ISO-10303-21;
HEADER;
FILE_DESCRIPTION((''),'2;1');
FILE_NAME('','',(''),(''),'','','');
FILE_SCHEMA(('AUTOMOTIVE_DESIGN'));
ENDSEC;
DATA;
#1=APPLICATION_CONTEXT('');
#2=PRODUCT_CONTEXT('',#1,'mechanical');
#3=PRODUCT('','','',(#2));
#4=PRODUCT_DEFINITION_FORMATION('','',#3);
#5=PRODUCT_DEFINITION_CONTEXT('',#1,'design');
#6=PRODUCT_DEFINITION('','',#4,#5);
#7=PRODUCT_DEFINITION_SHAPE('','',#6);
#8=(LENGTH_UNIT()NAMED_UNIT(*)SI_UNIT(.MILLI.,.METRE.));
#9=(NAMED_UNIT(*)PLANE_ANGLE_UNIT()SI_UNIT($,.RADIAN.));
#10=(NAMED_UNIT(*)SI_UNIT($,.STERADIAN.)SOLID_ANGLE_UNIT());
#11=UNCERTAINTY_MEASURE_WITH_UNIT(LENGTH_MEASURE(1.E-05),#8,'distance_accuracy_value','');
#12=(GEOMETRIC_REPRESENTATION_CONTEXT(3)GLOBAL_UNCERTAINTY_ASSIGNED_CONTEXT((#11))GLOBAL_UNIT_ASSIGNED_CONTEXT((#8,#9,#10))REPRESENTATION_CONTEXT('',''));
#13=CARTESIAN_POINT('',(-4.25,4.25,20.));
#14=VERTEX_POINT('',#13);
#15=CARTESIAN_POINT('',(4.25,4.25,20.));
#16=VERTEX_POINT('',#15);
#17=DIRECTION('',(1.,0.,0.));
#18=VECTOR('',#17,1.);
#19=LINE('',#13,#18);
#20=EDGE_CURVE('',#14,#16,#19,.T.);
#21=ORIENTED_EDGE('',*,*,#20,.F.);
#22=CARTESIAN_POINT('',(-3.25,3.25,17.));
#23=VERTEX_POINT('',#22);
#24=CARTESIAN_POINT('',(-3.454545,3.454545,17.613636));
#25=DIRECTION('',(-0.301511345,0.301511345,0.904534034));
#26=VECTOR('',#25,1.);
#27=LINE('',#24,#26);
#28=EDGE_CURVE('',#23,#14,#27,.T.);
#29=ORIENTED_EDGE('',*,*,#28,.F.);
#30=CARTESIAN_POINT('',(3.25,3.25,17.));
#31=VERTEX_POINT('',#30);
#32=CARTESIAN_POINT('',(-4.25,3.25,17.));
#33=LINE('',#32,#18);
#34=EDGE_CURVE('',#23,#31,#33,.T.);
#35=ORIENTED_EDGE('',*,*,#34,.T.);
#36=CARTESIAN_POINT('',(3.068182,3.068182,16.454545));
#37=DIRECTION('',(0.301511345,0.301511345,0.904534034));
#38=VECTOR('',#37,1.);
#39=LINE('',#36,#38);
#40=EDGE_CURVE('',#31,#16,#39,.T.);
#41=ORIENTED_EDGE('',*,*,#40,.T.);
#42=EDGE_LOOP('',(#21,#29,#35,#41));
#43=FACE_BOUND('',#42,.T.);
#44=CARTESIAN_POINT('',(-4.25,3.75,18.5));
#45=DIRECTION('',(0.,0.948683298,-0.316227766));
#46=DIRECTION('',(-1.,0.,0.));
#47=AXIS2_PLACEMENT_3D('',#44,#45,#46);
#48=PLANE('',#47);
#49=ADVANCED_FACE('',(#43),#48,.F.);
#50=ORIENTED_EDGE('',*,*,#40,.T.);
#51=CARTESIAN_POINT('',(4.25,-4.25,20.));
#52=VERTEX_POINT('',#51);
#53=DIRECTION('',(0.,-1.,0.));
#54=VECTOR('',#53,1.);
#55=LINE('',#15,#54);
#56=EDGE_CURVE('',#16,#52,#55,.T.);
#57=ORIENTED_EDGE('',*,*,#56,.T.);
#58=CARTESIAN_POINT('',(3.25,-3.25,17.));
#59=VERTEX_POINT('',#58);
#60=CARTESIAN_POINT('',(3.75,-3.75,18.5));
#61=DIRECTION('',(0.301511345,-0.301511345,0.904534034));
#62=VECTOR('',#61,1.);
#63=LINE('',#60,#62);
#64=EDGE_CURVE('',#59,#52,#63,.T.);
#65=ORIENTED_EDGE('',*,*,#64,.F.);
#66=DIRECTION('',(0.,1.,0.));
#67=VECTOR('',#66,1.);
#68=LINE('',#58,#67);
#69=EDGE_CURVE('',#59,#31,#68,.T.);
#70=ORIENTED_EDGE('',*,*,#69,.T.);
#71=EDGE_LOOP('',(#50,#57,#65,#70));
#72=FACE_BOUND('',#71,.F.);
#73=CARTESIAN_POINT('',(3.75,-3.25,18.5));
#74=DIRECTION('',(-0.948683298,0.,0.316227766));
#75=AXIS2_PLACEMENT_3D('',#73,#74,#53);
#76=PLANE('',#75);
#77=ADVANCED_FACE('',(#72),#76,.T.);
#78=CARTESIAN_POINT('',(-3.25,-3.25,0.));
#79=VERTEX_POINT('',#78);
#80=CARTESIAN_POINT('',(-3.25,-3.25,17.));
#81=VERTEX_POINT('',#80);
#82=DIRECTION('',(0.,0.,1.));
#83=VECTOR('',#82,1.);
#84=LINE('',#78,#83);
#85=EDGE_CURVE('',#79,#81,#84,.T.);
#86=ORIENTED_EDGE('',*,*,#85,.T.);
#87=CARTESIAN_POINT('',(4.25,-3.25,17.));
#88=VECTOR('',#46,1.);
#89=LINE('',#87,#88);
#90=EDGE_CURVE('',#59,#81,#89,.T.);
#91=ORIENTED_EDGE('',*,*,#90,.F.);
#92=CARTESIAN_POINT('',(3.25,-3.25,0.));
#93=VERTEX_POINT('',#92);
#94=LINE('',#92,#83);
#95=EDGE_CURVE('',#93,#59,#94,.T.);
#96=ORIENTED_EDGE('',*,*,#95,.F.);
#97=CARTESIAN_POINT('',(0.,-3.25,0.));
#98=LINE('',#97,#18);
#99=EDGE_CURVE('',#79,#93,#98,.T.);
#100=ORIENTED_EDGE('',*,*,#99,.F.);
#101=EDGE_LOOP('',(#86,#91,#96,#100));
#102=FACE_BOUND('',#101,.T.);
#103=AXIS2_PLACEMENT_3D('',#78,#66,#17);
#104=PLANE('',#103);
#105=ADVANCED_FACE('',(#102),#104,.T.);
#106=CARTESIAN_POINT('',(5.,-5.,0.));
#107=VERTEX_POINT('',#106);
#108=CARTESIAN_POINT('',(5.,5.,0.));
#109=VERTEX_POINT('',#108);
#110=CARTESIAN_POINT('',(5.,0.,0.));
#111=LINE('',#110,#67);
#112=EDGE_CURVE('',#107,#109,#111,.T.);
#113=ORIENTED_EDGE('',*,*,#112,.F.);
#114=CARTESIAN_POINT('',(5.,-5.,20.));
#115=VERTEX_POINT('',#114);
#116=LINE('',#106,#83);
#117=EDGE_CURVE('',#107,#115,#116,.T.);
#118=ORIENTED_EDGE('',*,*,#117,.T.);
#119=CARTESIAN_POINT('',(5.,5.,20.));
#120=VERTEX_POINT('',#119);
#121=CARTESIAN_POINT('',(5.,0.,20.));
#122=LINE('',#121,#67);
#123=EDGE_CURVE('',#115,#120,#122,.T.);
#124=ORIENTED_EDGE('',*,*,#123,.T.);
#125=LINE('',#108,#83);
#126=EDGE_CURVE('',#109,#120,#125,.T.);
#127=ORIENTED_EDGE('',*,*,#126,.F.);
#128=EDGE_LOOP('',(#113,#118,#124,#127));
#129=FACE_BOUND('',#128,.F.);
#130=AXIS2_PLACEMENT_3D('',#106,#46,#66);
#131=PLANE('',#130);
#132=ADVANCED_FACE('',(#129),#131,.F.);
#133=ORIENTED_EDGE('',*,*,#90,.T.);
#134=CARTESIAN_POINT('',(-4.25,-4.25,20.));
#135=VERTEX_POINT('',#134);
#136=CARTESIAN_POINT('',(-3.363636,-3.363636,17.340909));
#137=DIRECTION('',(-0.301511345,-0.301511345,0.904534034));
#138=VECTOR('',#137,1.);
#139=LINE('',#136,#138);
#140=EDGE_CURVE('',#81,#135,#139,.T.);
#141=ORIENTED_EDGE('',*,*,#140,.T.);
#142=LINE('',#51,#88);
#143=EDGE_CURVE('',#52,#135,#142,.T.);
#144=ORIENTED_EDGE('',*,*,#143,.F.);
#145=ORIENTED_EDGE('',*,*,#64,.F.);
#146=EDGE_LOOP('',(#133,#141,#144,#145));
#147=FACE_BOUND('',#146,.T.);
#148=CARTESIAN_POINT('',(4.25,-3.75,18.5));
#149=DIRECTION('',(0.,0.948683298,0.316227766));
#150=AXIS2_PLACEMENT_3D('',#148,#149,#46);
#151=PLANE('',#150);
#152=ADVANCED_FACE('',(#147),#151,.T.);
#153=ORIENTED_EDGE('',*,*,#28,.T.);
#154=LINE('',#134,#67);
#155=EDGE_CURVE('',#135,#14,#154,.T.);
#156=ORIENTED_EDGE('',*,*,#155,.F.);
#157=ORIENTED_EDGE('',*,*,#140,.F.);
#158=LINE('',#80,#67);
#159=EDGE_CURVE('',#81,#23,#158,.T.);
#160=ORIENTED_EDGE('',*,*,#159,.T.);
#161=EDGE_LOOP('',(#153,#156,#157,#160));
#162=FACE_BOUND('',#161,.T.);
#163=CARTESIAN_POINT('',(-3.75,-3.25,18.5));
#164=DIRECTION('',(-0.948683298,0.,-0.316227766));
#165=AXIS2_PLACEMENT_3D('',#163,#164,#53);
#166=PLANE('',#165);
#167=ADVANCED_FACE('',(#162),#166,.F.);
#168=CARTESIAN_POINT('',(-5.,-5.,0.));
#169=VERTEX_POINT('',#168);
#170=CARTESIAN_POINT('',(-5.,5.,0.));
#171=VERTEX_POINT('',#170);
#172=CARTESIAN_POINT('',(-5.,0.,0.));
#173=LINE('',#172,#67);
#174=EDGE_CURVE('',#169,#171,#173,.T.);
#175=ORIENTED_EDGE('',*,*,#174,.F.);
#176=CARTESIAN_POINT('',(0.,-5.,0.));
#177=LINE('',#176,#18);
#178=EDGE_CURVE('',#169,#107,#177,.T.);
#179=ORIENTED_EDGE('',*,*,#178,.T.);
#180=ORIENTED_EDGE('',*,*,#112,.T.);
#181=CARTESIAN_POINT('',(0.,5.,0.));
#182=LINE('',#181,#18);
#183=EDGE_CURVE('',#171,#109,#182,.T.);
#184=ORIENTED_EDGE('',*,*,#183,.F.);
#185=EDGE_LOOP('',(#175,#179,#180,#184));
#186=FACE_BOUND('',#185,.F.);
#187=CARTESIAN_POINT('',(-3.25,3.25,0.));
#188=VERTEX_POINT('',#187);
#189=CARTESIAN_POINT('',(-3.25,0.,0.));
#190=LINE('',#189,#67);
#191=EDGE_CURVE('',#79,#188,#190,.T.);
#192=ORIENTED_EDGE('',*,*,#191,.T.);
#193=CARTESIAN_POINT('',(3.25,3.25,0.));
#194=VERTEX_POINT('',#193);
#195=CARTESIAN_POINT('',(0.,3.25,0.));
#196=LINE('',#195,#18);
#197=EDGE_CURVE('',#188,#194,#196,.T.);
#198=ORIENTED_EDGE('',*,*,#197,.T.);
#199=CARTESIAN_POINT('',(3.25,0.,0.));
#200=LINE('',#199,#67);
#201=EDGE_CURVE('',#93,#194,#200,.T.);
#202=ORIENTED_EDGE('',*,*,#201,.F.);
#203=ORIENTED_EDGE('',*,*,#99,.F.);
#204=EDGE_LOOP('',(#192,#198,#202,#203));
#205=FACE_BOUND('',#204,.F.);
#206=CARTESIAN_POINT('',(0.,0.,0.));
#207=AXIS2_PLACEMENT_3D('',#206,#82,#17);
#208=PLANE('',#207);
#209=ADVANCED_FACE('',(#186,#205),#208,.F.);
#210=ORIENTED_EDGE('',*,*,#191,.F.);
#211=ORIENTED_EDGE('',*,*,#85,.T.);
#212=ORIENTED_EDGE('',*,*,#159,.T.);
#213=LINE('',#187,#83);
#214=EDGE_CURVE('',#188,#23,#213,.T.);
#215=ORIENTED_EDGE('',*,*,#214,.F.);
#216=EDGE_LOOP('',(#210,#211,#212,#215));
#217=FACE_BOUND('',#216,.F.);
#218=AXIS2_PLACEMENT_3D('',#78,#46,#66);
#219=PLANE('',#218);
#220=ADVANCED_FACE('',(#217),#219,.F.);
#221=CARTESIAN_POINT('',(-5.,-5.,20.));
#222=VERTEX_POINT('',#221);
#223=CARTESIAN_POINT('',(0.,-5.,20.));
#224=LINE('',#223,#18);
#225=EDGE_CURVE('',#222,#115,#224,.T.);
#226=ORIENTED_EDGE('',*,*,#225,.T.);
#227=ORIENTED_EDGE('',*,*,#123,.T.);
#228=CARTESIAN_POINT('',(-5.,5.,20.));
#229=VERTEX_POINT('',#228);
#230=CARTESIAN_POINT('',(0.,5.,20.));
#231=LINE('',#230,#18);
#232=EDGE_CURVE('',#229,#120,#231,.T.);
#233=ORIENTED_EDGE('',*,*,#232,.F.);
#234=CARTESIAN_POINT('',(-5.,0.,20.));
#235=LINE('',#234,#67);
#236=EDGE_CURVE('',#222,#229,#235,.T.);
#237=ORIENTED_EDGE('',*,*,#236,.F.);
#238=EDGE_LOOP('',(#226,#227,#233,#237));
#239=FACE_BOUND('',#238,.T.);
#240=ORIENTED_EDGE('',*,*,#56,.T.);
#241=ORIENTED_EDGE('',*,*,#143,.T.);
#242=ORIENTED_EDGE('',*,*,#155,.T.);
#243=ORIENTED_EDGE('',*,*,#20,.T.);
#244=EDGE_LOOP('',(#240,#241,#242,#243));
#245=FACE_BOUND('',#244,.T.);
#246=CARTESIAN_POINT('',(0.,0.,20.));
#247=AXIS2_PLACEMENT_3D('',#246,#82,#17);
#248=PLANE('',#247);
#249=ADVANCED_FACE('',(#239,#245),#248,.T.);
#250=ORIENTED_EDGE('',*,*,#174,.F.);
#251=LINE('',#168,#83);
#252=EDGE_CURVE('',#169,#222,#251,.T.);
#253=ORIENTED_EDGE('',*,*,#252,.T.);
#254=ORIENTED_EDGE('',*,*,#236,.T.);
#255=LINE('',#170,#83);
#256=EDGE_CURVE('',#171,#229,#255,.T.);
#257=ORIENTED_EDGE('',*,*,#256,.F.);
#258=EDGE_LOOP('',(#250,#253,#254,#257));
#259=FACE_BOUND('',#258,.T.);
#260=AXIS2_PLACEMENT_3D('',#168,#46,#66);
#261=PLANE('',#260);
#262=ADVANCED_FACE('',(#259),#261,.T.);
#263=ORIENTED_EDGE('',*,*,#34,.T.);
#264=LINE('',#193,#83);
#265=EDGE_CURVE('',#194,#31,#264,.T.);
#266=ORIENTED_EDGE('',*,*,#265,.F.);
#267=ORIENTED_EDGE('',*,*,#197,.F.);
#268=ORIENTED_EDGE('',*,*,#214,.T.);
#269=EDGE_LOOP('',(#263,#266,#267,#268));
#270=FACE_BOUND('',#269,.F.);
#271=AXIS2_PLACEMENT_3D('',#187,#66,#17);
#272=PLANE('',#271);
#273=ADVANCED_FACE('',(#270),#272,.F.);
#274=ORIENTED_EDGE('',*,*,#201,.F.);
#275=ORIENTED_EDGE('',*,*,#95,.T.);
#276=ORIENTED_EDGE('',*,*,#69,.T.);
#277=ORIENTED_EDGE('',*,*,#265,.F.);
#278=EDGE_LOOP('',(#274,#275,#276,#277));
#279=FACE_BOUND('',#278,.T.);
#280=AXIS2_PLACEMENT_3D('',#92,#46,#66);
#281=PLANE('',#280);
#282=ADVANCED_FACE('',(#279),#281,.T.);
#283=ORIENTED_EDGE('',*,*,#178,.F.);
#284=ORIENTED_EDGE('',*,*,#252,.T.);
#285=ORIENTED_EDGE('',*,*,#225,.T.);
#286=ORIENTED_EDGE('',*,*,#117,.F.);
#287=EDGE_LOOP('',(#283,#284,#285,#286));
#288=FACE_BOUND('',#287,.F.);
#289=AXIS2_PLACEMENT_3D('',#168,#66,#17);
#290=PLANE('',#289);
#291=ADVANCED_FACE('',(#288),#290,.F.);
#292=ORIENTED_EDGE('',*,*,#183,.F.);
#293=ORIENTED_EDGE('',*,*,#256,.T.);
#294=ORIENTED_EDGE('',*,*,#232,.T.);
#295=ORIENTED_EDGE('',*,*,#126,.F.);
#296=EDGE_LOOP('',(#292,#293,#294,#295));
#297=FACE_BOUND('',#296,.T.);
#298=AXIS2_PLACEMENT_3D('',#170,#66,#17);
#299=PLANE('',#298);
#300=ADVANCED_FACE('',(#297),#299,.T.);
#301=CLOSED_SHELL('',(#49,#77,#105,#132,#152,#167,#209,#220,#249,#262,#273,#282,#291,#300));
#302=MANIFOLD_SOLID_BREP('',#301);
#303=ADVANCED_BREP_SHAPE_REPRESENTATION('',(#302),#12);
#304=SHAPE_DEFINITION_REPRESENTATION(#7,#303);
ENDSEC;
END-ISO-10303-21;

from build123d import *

# Parameters (mm, degrees)
F0_W     = 10
F0_H     = 10
F0_W_2   = 7.5
F0_H_2   = 7.5
F0_W_3   = 6.5
F0_H_3   = 6.5
F1_DEPTH = 20
F2_SIZE2 = 1
F2_SIZE  = 3
F3_SIZE2 = 1
F3_SIZE  = 3
F4_SIZE2 = 1
F4_SIZE  = 3
F5_SIZE2 = 1
F5_SIZE  = 3


with BuildPart() as f1:
    # F0 (on Top) → F1 (new body)
    with BuildSketch(Plane.XY):
        Rectangle(F0_W, F0_H)
        Rectangle(F0_W_2, F0_H_2, mode=Mode.SUBTRACT)
        Rectangle(F0_W_2, F0_H_2)
        Rectangle(F0_W_3, F0_H_3, mode=Mode.SUBTRACT)
    extrude(amount=F1_DEPTH)

    # F2
    f2_edges = [f1.edges().sort_by_distance(p)[0] for p in [
        (-3.25, 0, 20),
    ]]
    f2_side = f1.faces().sort_by_distance((-3.25, 0, 10))[0]
    chamfer(f2_edges, length=F2_SIZE, length2=F2_SIZE2, reference=f2_side)

    # F3
    f3_edges = [f1.edges().sort_by_distance(p)[0] for p in [
        (0, 3.25, 20),
    ]]
    f3_side = f1.faces().sort_by_distance((-0.040875, 3.25, 10.102662))[0]
    chamfer(f3_edges, length=F3_SIZE, length2=F3_SIZE2, reference=f3_side)

    # F4
    f4_edges = [f1.edges().sort_by_distance(p)[0] for p in [
        (3.25, 0, 20),
    ]]
    f4_side = f1.faces().sort_by_distance((3.25, 0.040875, 10.102662))[0]
    chamfer(f4_edges, length=F4_SIZE, length2=F4_SIZE2, reference=f4_side)

    # F5
    f5_edges = [f1.edges().sort_by_distance(p)[0] for p in [
        (0, -3.25, 20),
    ]]
    f5_side = f1.faces().sort_by_distance((0, -3.25, 10.203008))[0]
    chamfer(f5_edges, length=F5_SIZE, length2=F5_SIZE2, reference=f5_side)


solid = f1.part
